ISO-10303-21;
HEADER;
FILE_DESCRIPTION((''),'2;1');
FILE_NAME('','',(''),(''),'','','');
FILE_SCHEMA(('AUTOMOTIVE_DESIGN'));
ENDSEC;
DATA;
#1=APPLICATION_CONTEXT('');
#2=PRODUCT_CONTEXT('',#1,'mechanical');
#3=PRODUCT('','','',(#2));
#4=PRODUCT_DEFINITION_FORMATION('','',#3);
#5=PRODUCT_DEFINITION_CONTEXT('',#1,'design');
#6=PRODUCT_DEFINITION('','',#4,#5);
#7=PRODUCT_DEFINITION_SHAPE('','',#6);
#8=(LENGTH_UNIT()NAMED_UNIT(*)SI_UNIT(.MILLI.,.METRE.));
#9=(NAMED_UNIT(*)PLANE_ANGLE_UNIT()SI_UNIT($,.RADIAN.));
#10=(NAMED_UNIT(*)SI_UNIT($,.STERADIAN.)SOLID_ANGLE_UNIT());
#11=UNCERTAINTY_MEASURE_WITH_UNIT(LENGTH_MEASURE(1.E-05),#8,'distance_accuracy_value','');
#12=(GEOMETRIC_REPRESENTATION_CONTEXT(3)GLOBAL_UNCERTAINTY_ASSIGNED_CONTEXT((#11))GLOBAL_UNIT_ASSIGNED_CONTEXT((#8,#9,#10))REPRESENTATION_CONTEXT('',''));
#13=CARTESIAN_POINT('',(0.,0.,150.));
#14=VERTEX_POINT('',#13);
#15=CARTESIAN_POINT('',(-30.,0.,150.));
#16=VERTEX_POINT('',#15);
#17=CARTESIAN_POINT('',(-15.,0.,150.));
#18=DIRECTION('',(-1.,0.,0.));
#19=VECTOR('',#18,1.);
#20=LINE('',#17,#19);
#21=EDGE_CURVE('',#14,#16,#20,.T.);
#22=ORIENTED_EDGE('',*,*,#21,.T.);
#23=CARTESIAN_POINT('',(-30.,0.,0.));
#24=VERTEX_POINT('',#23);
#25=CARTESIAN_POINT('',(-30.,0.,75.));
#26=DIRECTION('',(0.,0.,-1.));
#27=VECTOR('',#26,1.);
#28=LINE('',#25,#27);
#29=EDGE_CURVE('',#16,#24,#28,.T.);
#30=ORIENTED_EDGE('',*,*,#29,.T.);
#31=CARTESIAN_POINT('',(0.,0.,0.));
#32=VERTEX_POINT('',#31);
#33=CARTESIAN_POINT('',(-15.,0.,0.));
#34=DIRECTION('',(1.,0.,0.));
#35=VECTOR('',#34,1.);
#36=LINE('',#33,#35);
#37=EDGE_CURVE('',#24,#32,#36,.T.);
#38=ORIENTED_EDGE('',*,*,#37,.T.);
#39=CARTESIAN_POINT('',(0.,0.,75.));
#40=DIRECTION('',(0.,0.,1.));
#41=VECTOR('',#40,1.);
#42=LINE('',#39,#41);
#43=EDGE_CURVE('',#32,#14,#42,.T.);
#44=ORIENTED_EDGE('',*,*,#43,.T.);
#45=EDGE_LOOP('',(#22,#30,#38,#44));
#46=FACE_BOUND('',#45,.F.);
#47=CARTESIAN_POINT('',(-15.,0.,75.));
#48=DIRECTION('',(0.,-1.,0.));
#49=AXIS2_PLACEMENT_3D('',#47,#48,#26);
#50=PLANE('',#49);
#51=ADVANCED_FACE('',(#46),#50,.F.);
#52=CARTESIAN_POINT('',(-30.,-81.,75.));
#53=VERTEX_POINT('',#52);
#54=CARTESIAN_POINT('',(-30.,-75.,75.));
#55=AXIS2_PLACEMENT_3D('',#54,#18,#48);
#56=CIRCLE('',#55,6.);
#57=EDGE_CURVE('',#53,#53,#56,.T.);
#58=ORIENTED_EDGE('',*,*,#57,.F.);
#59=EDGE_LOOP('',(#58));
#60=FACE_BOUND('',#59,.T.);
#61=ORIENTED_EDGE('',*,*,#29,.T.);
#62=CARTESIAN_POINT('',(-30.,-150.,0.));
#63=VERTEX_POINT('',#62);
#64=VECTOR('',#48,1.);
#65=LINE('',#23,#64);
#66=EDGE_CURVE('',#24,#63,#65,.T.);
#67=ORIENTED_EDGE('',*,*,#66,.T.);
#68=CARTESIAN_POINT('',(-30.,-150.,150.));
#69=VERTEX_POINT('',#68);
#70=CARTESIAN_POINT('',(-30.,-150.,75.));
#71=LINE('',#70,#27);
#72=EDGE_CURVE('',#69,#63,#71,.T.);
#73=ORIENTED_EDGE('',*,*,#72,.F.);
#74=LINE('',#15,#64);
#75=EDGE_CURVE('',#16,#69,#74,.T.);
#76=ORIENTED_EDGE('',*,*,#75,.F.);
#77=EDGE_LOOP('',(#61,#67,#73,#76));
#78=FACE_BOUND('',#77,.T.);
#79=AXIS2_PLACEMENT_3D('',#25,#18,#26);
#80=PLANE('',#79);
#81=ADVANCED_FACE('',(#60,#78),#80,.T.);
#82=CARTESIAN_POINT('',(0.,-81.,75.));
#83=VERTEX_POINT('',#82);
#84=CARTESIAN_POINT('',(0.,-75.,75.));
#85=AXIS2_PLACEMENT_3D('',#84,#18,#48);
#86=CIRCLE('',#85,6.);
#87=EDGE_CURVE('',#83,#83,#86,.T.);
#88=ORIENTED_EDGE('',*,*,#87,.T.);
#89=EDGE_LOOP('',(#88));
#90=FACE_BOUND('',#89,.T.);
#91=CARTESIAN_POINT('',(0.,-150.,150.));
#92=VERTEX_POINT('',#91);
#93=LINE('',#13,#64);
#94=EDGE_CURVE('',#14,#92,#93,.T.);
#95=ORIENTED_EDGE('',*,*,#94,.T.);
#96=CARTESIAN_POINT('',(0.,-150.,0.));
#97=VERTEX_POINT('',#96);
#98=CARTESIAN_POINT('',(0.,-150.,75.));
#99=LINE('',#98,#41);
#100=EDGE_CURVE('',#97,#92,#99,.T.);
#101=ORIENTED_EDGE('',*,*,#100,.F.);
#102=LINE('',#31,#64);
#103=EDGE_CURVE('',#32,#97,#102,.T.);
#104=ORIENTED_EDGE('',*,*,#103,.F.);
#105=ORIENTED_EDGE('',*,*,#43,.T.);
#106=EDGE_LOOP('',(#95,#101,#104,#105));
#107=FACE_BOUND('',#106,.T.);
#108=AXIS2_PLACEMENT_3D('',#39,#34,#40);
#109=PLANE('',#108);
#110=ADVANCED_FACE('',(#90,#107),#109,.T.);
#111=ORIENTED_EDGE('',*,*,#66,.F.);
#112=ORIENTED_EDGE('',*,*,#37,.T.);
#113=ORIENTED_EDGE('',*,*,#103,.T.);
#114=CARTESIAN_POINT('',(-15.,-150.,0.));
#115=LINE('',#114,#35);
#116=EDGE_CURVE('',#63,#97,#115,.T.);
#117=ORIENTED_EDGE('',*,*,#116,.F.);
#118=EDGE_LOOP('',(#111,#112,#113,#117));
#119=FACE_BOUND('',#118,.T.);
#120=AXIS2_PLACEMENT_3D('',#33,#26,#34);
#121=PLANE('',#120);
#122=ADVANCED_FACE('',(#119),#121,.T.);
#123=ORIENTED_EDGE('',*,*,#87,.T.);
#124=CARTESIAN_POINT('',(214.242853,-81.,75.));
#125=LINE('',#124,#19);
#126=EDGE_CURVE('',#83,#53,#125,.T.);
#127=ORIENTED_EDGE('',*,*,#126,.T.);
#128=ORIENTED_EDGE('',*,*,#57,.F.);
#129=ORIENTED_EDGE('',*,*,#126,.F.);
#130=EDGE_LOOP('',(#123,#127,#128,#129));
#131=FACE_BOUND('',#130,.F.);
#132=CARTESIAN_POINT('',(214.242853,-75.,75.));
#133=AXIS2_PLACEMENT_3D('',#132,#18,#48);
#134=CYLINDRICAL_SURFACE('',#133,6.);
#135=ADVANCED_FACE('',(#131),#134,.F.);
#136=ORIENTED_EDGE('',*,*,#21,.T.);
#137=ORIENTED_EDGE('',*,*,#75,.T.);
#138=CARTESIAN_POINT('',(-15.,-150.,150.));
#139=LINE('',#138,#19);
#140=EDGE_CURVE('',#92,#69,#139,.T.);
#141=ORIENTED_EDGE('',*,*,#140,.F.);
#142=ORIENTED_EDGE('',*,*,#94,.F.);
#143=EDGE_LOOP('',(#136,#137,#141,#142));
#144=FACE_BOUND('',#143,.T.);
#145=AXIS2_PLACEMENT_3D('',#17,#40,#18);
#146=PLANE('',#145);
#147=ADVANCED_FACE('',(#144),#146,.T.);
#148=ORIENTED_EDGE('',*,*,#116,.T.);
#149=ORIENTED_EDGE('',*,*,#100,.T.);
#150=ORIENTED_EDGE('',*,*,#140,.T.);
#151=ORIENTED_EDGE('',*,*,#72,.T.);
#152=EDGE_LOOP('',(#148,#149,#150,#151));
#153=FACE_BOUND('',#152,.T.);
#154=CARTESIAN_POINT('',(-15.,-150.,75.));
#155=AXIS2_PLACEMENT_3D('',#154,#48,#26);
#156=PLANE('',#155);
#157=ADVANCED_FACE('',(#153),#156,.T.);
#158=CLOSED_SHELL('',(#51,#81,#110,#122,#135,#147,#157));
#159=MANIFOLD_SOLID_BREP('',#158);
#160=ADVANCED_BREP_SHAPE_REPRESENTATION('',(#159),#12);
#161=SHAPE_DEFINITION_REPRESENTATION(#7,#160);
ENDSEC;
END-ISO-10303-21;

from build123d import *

# Parameters (mm, degrees)
F0_W = 30
F0_H = 150
F4_D = 12


with BuildPart() as f2:
    # F2: sweep along a path in F1
    with BuildLine(Plane.YZ) as f2_path:
        Line((0, 0), (-150, 0))
    # F0 (on Front) → F2 (sweep)
    with BuildSketch(Plane.XZ):
        with Locations((-15, 75)):
            Rectangle(F0_W, F0_H)
    sweep(path=f2_path.line)

    # F4 (through all)
    with Locations(Plane.YZ):
        with Locations((-75, 75)):
            Hole(F4_D / 2)


solid = f2.part
